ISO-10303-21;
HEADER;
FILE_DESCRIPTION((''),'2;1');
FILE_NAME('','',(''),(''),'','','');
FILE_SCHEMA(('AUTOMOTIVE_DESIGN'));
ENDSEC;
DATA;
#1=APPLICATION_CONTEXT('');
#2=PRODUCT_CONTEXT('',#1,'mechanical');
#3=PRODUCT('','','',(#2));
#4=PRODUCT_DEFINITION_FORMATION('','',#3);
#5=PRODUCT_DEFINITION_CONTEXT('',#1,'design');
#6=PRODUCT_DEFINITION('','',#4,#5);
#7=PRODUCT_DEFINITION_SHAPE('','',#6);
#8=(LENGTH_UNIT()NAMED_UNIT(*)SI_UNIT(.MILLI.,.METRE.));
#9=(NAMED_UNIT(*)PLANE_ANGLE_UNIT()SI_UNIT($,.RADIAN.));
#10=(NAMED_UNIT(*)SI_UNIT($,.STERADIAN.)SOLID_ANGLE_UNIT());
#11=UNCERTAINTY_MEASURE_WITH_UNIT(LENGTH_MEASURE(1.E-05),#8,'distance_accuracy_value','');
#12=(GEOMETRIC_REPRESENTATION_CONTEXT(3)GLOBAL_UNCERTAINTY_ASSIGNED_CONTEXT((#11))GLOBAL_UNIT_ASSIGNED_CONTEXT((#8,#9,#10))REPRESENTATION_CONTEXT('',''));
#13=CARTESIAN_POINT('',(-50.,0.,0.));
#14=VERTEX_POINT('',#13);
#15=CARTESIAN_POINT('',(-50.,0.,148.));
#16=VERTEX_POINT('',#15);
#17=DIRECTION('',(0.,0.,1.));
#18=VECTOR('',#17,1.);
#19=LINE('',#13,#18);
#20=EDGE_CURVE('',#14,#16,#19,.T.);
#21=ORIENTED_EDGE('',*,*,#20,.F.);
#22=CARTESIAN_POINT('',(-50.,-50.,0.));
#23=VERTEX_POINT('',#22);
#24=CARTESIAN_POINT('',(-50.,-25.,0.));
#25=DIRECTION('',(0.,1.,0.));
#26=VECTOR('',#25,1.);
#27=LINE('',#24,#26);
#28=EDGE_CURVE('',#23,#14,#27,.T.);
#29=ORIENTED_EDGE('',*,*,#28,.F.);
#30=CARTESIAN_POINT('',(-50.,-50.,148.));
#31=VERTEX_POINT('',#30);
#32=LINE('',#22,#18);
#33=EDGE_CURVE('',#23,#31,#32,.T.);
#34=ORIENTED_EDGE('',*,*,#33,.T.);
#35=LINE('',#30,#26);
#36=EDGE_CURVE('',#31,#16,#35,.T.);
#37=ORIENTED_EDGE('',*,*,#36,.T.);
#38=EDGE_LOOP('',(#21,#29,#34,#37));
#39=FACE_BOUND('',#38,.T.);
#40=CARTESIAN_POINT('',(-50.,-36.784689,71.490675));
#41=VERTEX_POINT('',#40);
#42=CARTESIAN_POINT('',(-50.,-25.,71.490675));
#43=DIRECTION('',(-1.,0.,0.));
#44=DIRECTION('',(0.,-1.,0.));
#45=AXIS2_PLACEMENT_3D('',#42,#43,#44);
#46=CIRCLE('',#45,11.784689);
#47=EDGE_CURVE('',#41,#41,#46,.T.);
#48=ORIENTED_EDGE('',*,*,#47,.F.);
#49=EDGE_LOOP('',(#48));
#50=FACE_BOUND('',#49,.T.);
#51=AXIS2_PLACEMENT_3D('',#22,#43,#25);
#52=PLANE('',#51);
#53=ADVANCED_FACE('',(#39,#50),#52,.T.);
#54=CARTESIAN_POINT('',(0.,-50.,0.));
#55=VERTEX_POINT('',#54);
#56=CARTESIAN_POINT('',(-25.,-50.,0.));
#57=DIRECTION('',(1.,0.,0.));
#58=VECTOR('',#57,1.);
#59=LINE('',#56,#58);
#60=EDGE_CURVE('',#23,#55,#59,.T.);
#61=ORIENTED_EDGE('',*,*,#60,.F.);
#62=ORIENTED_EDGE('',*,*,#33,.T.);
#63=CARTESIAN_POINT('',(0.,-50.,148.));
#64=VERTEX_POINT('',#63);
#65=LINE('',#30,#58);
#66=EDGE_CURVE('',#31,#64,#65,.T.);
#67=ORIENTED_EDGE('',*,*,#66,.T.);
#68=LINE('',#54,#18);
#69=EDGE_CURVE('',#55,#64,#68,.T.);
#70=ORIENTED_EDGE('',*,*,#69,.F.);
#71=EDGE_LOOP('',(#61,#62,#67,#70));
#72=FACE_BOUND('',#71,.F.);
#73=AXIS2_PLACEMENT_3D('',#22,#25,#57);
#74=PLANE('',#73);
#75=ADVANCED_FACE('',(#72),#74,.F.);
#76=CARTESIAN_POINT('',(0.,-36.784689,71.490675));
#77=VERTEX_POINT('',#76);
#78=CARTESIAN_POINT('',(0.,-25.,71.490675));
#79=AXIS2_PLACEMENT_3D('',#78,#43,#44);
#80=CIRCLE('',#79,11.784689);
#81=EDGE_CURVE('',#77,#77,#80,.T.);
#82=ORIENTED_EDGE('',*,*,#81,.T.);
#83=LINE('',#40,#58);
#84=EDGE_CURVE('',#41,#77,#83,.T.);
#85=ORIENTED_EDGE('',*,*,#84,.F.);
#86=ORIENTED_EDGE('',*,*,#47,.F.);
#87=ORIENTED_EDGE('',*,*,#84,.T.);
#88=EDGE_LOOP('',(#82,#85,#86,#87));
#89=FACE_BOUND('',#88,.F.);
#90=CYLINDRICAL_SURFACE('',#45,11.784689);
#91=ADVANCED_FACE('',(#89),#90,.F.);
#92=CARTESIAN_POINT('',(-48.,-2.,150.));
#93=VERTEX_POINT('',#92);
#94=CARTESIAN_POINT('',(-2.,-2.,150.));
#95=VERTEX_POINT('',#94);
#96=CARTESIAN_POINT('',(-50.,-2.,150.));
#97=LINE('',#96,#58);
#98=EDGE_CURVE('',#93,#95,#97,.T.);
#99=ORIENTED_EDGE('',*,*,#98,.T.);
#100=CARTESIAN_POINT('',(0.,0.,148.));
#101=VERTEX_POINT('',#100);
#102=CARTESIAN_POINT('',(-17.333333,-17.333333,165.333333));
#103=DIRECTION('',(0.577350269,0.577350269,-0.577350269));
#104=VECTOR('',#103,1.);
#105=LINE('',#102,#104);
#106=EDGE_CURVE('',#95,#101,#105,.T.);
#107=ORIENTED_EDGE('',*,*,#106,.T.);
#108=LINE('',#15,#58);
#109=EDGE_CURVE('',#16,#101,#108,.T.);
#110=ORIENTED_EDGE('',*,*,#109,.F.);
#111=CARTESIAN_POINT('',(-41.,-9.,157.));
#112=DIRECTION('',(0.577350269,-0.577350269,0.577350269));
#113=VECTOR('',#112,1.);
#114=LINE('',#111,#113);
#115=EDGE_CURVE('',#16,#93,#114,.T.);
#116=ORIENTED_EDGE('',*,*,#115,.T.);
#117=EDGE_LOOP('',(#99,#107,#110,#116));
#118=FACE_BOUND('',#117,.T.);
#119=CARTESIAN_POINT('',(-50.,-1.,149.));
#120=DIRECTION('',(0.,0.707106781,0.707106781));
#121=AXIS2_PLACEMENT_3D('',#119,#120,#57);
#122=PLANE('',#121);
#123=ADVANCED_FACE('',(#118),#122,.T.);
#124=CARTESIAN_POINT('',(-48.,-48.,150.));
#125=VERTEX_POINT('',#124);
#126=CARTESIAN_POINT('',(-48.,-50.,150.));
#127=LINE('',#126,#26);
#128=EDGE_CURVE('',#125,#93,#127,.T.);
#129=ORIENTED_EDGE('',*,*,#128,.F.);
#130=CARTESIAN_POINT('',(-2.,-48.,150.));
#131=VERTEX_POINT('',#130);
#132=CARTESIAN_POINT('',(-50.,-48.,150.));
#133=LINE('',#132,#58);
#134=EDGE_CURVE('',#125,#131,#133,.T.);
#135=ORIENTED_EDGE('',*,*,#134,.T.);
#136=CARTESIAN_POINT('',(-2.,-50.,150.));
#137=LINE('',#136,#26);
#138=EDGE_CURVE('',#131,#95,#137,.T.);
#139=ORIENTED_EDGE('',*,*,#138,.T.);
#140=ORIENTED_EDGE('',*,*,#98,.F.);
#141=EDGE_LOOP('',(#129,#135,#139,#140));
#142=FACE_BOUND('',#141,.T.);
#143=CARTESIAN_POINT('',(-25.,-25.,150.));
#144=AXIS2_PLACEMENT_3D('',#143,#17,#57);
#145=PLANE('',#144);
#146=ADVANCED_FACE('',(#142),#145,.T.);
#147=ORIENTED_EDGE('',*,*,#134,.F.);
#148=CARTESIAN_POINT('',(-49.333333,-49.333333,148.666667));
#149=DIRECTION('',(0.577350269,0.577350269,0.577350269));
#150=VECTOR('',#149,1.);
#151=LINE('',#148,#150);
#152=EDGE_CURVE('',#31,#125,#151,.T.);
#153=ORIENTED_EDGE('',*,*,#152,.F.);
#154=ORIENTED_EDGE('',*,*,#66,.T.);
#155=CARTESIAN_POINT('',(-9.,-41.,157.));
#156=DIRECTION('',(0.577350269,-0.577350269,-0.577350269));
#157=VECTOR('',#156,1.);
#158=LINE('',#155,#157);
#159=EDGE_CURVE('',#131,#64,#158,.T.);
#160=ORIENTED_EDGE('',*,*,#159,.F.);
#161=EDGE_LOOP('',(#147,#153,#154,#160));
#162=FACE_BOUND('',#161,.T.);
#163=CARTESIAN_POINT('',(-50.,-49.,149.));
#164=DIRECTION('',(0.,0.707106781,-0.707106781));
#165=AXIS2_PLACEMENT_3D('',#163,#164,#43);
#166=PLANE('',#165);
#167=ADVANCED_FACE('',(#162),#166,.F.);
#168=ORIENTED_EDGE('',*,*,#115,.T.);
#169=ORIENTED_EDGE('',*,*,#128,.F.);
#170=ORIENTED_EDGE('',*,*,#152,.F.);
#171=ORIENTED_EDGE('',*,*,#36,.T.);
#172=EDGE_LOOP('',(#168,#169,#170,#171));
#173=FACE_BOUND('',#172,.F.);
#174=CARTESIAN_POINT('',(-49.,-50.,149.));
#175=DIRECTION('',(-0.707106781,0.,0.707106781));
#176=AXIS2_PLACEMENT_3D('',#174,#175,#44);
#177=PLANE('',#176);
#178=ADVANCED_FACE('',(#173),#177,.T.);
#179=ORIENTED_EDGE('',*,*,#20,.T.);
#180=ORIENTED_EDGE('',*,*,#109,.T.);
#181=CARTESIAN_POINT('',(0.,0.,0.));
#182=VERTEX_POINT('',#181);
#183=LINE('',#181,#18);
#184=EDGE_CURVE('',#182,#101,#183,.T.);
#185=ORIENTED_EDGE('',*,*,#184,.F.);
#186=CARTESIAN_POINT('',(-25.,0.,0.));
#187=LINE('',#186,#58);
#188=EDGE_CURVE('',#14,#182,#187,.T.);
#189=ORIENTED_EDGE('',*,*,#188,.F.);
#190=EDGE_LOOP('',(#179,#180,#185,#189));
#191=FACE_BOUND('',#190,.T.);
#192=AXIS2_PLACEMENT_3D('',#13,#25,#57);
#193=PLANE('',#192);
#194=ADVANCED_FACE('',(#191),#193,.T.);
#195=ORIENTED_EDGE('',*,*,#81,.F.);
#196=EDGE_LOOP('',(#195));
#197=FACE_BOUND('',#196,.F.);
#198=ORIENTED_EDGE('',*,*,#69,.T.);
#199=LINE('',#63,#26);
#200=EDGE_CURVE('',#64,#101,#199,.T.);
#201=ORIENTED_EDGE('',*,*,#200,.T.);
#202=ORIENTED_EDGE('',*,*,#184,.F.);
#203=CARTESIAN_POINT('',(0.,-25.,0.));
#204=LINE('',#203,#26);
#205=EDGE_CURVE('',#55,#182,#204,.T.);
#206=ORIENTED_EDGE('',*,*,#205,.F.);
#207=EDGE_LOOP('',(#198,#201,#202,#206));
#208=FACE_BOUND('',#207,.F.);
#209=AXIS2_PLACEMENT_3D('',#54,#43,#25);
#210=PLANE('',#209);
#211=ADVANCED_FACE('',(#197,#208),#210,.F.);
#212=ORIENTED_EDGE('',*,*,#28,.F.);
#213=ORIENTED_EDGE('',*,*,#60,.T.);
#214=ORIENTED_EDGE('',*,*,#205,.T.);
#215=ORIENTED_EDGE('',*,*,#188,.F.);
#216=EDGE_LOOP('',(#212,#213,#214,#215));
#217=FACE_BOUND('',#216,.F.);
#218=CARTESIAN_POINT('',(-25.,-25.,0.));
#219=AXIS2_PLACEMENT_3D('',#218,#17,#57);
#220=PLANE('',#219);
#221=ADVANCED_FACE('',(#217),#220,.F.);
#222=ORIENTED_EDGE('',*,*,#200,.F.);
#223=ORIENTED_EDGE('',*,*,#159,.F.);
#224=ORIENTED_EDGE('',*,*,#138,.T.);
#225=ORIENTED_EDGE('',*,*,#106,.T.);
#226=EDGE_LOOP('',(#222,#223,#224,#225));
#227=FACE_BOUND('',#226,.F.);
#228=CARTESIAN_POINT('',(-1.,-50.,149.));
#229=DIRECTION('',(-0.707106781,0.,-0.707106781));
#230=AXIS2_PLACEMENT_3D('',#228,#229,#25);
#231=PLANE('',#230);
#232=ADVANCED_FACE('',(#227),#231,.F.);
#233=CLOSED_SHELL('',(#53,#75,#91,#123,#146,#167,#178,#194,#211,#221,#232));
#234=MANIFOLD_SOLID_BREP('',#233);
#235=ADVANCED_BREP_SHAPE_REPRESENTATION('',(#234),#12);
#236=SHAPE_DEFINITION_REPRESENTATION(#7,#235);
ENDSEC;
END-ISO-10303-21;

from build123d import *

# Parameters (mm, degrees)
F0_W     = 50
F0_H     = 50
F1_DEPTH = 150
F2_R     = 11.784689
F3_DEPTH = 131.62777
F4_SIZE  = 2


with BuildPart() as f1:
    # F0 (on Top) → F1 (new body)
    with BuildSketch(Plane.XY):
        with Locations((-25, -25)):
            Rectangle(F0_W, F0_H)
    extrude(amount=F1_DEPTH)

    # F2 (on face) → F3 (cut)
    with BuildSketch(Plane(origin=(-50, 0, 0), x_dir=(0, -1, 0), z_dir=(-1, 0, 0))):
        with Locations((25, 71.490675)):
            Circle(F2_R)
    extrude(amount=-F3_DEPTH, mode=Mode.SUBTRACT)

    # F4
    f4_edges = [f1.edges().sort_by_distance(p)[0] for p in [
        (-50, -25, 150),
        (0, -25, 150),
        (-25, -50, 150),
        (-25, 0, 150),
    ]]
    chamfer(f4_edges, length=F4_SIZE)


solid = f1.part
